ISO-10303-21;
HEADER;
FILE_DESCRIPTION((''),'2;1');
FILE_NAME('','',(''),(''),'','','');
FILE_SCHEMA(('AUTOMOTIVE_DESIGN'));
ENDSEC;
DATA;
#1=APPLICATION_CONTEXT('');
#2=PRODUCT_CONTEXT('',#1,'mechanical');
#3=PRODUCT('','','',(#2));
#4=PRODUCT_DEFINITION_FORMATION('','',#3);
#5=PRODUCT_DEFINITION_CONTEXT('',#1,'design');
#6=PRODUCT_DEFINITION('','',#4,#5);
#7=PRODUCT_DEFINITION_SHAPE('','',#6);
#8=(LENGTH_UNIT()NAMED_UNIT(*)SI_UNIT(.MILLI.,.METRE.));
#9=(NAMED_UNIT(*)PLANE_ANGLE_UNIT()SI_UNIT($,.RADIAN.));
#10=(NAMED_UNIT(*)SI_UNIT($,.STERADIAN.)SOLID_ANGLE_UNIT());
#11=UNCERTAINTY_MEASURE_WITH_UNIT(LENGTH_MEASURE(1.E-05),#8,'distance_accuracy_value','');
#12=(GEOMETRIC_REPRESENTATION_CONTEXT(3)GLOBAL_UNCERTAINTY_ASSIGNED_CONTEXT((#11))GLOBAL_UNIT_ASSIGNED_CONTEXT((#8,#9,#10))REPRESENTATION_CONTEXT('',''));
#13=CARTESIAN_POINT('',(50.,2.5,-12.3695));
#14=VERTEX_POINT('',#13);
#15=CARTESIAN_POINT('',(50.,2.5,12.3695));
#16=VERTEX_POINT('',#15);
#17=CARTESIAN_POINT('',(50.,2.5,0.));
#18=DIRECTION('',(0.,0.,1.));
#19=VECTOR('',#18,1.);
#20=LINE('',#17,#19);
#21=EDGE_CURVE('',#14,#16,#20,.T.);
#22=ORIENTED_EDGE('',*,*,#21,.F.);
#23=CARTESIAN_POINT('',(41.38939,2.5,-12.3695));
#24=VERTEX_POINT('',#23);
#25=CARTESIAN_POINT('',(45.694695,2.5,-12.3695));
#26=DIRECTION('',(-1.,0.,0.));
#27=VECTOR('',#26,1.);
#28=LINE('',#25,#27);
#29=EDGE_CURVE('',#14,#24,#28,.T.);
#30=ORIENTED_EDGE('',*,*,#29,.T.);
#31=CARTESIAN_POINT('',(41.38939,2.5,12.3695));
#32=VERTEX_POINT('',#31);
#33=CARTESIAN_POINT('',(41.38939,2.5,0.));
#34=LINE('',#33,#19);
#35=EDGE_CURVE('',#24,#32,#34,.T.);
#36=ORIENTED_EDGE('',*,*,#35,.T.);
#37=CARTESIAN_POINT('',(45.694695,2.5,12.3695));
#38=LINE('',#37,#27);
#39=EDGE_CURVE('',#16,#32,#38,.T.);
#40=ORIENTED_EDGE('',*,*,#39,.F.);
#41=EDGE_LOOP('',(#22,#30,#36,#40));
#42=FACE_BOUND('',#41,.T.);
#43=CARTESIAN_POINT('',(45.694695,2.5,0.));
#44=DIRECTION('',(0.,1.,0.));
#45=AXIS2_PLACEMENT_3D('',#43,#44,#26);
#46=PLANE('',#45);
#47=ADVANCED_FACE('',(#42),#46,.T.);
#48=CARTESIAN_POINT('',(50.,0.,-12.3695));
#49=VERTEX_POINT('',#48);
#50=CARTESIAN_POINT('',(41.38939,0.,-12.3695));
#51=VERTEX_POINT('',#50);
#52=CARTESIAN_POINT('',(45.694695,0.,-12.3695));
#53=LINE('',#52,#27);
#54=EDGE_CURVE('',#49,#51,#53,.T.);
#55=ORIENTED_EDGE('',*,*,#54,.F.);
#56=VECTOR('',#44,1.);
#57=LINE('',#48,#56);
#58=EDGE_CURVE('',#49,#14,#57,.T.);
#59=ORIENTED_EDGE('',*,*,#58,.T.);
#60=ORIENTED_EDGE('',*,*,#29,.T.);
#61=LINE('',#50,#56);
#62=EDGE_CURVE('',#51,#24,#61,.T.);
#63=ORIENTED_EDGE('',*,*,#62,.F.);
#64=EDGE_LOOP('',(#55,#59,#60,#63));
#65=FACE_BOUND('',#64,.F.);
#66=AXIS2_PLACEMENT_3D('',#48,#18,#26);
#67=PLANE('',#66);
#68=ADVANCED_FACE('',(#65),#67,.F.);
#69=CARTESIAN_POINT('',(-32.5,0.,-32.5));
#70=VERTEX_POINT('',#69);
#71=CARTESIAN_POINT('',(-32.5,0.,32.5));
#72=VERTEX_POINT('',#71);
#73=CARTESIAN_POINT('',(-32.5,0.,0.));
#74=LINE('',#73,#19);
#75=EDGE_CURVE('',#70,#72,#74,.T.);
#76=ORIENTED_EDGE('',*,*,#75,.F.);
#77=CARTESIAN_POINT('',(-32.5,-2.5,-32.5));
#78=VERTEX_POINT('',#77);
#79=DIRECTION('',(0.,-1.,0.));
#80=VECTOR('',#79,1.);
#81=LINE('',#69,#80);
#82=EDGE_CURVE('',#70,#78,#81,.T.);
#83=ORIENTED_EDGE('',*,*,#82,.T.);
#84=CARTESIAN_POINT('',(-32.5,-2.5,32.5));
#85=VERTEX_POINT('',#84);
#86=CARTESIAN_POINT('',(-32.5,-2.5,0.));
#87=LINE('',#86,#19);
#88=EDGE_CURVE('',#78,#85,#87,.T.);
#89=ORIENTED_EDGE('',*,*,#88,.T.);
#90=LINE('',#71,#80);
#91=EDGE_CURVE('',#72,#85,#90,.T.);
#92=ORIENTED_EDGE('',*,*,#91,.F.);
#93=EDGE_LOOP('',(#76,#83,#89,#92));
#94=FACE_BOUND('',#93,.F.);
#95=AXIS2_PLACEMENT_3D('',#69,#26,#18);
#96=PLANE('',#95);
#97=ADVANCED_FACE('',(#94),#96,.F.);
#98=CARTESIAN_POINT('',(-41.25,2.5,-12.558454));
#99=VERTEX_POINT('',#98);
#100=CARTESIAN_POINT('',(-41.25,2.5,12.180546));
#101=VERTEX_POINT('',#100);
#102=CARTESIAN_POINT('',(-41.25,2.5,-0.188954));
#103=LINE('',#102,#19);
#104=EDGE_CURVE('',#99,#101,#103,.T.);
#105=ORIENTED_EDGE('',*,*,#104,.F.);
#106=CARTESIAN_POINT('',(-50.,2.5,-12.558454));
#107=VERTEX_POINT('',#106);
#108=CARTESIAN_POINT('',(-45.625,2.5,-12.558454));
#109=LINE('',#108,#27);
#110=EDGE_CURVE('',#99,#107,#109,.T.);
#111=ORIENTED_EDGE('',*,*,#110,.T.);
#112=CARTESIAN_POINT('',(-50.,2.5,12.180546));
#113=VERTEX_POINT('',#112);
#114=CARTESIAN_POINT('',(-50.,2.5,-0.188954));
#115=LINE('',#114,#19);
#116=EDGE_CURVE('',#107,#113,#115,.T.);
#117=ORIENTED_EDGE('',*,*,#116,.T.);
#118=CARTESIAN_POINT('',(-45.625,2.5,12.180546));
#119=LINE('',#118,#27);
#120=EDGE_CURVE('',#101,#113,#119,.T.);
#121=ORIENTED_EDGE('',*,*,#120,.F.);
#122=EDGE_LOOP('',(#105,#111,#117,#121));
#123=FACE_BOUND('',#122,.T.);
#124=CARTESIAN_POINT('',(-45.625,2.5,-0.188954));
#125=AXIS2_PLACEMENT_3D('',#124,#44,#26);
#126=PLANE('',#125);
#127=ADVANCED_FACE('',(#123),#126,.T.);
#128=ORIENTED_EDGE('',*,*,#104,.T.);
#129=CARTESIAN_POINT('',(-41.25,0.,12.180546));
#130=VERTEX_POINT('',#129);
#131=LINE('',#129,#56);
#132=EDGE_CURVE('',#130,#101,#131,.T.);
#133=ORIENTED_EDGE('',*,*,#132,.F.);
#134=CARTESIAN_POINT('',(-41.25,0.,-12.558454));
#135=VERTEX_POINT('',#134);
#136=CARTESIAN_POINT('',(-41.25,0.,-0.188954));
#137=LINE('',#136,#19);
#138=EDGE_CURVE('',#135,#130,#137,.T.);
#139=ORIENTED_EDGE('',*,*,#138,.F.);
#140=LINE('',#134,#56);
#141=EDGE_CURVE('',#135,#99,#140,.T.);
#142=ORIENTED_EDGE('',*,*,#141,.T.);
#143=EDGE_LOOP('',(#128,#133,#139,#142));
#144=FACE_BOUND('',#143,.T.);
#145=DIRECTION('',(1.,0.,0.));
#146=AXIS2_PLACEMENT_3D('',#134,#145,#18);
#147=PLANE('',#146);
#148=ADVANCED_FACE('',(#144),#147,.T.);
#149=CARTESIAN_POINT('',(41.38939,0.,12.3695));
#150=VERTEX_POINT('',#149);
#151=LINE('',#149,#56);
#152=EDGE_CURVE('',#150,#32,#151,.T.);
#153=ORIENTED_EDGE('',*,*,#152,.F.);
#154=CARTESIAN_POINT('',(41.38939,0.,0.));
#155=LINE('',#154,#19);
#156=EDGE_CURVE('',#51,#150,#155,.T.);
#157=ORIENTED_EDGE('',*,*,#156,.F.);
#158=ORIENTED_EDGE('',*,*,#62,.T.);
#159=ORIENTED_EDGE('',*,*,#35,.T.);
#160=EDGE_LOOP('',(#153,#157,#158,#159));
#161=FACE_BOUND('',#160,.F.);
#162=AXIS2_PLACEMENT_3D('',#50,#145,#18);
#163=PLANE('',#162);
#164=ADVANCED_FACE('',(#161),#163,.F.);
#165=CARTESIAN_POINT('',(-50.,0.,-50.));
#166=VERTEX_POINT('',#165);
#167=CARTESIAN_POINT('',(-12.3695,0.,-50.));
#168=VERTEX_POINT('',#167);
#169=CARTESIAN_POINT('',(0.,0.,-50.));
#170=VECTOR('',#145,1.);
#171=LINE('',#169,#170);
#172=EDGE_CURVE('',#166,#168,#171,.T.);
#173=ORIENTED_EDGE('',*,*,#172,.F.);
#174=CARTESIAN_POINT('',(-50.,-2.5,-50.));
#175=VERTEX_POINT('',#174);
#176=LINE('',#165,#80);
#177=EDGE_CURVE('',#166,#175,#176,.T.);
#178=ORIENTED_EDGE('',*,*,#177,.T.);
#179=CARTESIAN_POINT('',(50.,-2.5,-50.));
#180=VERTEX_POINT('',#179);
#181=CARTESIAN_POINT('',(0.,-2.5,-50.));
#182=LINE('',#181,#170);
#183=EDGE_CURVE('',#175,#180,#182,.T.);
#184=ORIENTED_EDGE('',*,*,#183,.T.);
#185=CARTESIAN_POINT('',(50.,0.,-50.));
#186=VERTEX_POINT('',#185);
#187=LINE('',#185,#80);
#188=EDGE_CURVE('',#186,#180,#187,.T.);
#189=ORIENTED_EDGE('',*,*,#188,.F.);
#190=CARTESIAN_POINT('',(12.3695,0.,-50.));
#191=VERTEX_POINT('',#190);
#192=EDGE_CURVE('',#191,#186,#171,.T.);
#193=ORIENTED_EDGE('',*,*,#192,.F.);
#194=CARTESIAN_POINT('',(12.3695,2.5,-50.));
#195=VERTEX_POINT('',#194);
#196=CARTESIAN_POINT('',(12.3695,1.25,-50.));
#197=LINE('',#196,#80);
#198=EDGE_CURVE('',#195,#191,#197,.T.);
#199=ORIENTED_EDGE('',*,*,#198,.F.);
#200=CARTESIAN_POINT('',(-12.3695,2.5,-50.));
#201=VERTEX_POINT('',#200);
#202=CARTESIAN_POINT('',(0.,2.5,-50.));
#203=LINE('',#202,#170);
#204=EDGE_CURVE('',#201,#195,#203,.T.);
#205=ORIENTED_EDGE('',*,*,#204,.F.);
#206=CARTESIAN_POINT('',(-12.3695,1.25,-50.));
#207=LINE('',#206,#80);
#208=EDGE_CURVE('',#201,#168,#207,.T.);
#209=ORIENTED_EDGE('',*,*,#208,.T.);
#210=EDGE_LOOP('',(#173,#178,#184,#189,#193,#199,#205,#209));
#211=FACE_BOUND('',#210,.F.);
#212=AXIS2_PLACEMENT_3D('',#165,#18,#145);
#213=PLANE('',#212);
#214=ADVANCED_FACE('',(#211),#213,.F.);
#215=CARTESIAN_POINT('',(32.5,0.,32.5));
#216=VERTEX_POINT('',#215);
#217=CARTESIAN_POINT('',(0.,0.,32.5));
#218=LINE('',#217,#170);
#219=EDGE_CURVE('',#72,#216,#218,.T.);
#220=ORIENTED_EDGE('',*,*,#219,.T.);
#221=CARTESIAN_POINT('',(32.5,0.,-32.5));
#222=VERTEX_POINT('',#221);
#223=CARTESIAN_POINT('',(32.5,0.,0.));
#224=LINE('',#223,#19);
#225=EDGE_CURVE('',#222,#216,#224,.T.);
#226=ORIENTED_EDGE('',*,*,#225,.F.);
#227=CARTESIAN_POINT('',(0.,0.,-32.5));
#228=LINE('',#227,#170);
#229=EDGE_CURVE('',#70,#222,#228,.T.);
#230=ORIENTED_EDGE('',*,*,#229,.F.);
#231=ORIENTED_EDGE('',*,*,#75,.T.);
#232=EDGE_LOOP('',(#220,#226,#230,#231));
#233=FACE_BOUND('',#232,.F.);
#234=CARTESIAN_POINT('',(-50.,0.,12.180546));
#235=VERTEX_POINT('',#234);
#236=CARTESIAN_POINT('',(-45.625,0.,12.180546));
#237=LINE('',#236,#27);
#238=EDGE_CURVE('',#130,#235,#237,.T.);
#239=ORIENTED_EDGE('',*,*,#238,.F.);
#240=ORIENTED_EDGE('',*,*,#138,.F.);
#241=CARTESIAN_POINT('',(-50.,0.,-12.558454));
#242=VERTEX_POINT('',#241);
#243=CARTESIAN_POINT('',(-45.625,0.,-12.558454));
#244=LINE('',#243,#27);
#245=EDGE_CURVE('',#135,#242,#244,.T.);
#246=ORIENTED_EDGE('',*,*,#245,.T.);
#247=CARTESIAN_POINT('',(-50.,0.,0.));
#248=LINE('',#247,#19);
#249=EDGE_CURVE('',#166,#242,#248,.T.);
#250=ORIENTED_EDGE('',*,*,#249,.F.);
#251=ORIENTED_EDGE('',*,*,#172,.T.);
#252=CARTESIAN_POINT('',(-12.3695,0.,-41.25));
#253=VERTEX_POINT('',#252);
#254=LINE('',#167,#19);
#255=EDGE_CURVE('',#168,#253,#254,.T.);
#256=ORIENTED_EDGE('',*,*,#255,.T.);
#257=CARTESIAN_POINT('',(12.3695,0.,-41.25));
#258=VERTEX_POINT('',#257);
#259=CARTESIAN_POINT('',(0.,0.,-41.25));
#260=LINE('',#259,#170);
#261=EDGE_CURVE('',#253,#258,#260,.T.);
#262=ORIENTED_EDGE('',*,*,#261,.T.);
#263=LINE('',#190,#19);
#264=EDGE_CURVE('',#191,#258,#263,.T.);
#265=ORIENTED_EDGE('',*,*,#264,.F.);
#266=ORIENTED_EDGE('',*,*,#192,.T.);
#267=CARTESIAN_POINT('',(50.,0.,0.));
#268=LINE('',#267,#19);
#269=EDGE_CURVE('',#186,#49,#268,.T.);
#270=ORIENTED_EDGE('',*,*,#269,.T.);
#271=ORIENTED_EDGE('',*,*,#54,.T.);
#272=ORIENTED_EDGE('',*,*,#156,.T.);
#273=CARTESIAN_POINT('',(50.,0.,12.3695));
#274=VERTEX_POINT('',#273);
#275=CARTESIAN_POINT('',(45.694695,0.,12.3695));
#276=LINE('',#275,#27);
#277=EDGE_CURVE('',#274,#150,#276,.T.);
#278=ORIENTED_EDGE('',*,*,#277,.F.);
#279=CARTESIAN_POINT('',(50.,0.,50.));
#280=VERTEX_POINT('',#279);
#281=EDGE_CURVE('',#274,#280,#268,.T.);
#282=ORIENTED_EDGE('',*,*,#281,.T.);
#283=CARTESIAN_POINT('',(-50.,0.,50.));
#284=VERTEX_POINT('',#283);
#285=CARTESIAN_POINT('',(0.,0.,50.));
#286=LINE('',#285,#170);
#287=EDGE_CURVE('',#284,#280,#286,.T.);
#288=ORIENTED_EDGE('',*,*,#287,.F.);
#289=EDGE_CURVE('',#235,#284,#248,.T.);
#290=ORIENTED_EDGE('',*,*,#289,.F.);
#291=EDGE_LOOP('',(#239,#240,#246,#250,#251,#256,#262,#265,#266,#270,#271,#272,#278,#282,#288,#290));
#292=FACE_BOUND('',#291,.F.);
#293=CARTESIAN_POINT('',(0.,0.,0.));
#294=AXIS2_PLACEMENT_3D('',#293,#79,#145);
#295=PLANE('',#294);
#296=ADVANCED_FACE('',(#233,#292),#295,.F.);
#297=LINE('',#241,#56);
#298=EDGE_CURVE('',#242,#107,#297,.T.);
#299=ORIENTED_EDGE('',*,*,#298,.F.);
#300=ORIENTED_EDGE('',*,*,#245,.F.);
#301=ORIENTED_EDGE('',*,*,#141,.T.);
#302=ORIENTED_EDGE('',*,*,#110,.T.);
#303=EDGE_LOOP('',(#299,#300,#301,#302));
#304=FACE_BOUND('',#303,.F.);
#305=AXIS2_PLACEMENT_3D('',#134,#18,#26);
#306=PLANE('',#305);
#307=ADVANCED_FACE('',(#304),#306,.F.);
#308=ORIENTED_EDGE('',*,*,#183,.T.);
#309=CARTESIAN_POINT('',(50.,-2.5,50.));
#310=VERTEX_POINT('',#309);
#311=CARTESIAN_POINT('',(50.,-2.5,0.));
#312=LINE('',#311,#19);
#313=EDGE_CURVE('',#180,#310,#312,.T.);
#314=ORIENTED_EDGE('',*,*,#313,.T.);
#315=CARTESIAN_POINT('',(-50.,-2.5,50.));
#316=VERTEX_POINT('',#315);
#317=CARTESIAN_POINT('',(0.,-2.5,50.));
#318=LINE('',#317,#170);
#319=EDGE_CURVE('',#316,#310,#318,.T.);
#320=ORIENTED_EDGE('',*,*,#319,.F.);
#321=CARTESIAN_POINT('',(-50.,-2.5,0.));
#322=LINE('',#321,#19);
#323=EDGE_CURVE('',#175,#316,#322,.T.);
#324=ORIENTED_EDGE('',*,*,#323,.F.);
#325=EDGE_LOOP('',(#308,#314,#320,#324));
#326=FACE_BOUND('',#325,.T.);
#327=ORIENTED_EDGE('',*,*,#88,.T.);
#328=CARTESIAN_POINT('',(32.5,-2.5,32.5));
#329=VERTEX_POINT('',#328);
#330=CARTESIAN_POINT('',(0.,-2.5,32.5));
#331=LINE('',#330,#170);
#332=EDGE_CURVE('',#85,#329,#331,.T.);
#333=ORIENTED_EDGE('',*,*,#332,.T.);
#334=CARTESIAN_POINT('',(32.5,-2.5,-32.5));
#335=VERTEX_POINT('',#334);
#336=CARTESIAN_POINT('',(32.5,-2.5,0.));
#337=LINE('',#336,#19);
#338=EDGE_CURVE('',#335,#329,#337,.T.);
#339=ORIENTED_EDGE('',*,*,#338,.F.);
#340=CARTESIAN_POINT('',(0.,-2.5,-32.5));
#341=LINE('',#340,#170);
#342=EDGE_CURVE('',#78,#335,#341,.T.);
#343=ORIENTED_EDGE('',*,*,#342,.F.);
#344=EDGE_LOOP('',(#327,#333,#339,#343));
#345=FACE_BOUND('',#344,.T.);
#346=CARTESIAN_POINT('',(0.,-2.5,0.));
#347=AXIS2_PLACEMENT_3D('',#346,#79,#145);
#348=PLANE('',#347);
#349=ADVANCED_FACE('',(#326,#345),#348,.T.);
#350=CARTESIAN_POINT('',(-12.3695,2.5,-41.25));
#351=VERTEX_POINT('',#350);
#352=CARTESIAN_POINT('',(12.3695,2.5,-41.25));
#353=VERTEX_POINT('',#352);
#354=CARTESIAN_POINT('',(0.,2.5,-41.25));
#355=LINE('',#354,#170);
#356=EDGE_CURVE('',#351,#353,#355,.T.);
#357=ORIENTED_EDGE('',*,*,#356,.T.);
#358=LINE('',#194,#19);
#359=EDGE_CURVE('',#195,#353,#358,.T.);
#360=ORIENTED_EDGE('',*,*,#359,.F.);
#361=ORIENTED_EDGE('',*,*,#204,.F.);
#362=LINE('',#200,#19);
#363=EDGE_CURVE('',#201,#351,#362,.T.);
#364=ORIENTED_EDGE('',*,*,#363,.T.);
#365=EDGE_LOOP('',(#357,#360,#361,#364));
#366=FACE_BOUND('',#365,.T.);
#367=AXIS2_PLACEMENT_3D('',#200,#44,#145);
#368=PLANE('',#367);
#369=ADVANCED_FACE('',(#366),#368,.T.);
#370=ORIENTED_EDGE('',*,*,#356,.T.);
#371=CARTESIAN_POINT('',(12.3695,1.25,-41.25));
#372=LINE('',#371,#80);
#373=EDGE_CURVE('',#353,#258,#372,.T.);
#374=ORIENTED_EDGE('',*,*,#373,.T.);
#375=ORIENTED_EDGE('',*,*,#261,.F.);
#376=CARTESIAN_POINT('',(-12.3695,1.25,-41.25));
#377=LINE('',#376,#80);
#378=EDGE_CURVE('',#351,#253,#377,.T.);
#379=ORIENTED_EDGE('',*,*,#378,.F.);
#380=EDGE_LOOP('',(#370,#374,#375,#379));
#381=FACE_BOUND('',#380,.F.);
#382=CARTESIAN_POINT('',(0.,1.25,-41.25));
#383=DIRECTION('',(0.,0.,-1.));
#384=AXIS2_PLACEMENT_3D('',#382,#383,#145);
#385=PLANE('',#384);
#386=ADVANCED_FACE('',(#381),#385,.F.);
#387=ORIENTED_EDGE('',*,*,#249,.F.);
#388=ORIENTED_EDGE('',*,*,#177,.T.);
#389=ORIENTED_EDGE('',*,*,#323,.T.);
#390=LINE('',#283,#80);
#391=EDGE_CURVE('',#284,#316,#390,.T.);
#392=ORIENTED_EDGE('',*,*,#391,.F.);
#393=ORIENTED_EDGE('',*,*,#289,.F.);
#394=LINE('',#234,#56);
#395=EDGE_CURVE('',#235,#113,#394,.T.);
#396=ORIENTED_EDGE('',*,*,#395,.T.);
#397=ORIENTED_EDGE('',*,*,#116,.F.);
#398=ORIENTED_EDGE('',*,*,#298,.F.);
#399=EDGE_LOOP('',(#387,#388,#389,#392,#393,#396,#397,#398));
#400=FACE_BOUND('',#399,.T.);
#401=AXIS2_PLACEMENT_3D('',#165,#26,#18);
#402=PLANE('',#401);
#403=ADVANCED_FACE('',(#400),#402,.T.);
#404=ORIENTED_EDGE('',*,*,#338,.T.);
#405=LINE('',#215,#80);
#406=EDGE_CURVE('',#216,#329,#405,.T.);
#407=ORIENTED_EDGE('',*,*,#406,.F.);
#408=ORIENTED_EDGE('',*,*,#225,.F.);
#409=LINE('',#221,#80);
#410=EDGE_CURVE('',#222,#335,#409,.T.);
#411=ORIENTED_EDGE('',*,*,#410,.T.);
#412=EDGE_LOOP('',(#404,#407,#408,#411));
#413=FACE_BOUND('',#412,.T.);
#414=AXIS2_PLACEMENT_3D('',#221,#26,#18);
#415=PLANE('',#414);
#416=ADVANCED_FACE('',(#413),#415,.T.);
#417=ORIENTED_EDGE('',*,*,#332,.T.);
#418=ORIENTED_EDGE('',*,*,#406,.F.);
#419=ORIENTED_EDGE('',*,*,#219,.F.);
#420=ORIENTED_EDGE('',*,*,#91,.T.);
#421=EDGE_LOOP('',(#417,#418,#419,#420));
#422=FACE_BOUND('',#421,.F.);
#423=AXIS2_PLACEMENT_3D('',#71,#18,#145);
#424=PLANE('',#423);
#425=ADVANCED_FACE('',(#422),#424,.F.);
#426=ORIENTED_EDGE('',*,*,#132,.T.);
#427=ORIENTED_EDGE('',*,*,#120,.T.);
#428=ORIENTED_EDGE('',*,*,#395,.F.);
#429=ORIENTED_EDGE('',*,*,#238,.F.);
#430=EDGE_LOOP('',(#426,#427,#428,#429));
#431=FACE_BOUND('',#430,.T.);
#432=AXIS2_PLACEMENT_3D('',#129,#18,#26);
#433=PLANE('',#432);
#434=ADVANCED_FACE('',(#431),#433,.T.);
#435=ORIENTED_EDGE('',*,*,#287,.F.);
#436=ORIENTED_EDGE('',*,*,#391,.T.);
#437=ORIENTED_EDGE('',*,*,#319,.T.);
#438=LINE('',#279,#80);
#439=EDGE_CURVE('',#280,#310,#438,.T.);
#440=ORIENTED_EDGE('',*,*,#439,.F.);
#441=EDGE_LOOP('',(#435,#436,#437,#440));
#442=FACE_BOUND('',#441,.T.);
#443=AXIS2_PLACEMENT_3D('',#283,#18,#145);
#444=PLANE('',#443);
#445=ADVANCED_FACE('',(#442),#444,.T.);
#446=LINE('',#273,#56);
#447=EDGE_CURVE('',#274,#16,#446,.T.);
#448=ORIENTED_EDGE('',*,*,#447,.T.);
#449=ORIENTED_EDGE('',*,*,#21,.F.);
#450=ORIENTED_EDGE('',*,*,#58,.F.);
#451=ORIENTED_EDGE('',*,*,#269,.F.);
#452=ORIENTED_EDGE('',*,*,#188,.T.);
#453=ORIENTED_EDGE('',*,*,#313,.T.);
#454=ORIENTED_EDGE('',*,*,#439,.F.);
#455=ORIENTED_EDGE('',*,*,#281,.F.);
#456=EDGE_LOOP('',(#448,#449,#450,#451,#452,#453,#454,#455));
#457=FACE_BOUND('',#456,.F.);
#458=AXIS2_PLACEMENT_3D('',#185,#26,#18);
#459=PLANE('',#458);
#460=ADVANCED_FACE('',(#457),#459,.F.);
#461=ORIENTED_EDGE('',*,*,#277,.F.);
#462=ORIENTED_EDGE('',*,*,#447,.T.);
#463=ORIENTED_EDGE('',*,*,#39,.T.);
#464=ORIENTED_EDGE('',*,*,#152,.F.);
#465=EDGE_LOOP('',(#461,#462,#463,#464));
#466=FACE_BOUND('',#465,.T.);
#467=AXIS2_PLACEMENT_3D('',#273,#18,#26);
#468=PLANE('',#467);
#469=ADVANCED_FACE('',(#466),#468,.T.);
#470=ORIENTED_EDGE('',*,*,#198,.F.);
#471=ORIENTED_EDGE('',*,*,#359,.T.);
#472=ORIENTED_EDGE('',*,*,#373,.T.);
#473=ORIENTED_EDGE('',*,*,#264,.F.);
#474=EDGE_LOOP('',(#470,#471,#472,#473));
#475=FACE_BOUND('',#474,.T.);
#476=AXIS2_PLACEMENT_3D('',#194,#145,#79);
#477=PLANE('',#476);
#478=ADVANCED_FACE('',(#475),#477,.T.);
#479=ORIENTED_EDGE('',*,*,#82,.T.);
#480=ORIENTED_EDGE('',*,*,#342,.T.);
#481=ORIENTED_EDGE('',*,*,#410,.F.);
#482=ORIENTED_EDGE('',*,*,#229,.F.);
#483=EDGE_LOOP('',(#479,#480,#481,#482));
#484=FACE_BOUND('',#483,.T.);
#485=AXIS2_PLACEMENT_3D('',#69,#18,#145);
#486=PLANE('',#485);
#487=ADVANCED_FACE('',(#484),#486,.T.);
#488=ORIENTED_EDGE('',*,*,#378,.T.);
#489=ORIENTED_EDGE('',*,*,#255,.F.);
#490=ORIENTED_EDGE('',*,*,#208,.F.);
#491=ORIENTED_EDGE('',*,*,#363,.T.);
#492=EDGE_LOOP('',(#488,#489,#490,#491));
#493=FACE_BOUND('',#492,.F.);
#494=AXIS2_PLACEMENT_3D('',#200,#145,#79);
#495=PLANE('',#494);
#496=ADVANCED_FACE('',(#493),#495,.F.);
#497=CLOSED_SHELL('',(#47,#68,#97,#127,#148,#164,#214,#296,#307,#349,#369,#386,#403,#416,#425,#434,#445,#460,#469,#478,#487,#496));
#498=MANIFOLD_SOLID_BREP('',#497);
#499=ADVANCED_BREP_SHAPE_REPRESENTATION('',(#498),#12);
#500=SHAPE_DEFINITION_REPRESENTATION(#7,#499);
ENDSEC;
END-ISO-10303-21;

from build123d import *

# Parameters (mm, degrees)
F0_W     = 100
F0_H     = 100
F0_W_2   = 65
F0_H_2   = 65
F1_DEPTH = 2.5
F2_W     = 8.75
F2_H     = 24.739
F3_DEPTH = 2.5
F4_W     = 8.61061
F4_H     = 24.739
F5_DEPTH = 2.5
F6_W     = 24.739
F6_H     = 2.5
F7_DEPTH = 8.75


with BuildPart() as f1:
    # F0 (on Front) → F1 (new body)
    with BuildSketch(Plane.XZ):
        Rectangle(F0_W, F0_H)
        Rectangle(F0_W_2, F0_H_2, mode=Mode.SUBTRACT)
    extrude(amount=F1_DEPTH)

    # F2 (on face) → F3 (join)
    with BuildSketch(Plane(origin=(0, 0, 0), x_dir=(-1, 0, 0), z_dir=(0, 1, 0))):
        with Locations((45.625, -0.188954)):
            Rectangle(F2_W, F2_H)
    extrude(amount=F3_DEPTH)

    # F4 (on face) → F5 (join)
    with BuildSketch(Plane(origin=(0, 0, 0), x_dir=(-1, 0, 0), z_dir=(0, 1, 0))):
        with Locations((-45.694695, 0)):
            Rectangle(F4_W, F4_H)
    extrude(amount=F5_DEPTH)

    # F6 (on face) → F7 (join)
    with BuildSketch(Plane(origin=(0, 0, -50), x_dir=(1, 0, 0), z_dir=(0, 0, -1))):
        with Locations((0, -1.25)):
            Rectangle(F6_W, F6_H)
    extrude(amount=-F7_DEPTH)


solid = f1.part
